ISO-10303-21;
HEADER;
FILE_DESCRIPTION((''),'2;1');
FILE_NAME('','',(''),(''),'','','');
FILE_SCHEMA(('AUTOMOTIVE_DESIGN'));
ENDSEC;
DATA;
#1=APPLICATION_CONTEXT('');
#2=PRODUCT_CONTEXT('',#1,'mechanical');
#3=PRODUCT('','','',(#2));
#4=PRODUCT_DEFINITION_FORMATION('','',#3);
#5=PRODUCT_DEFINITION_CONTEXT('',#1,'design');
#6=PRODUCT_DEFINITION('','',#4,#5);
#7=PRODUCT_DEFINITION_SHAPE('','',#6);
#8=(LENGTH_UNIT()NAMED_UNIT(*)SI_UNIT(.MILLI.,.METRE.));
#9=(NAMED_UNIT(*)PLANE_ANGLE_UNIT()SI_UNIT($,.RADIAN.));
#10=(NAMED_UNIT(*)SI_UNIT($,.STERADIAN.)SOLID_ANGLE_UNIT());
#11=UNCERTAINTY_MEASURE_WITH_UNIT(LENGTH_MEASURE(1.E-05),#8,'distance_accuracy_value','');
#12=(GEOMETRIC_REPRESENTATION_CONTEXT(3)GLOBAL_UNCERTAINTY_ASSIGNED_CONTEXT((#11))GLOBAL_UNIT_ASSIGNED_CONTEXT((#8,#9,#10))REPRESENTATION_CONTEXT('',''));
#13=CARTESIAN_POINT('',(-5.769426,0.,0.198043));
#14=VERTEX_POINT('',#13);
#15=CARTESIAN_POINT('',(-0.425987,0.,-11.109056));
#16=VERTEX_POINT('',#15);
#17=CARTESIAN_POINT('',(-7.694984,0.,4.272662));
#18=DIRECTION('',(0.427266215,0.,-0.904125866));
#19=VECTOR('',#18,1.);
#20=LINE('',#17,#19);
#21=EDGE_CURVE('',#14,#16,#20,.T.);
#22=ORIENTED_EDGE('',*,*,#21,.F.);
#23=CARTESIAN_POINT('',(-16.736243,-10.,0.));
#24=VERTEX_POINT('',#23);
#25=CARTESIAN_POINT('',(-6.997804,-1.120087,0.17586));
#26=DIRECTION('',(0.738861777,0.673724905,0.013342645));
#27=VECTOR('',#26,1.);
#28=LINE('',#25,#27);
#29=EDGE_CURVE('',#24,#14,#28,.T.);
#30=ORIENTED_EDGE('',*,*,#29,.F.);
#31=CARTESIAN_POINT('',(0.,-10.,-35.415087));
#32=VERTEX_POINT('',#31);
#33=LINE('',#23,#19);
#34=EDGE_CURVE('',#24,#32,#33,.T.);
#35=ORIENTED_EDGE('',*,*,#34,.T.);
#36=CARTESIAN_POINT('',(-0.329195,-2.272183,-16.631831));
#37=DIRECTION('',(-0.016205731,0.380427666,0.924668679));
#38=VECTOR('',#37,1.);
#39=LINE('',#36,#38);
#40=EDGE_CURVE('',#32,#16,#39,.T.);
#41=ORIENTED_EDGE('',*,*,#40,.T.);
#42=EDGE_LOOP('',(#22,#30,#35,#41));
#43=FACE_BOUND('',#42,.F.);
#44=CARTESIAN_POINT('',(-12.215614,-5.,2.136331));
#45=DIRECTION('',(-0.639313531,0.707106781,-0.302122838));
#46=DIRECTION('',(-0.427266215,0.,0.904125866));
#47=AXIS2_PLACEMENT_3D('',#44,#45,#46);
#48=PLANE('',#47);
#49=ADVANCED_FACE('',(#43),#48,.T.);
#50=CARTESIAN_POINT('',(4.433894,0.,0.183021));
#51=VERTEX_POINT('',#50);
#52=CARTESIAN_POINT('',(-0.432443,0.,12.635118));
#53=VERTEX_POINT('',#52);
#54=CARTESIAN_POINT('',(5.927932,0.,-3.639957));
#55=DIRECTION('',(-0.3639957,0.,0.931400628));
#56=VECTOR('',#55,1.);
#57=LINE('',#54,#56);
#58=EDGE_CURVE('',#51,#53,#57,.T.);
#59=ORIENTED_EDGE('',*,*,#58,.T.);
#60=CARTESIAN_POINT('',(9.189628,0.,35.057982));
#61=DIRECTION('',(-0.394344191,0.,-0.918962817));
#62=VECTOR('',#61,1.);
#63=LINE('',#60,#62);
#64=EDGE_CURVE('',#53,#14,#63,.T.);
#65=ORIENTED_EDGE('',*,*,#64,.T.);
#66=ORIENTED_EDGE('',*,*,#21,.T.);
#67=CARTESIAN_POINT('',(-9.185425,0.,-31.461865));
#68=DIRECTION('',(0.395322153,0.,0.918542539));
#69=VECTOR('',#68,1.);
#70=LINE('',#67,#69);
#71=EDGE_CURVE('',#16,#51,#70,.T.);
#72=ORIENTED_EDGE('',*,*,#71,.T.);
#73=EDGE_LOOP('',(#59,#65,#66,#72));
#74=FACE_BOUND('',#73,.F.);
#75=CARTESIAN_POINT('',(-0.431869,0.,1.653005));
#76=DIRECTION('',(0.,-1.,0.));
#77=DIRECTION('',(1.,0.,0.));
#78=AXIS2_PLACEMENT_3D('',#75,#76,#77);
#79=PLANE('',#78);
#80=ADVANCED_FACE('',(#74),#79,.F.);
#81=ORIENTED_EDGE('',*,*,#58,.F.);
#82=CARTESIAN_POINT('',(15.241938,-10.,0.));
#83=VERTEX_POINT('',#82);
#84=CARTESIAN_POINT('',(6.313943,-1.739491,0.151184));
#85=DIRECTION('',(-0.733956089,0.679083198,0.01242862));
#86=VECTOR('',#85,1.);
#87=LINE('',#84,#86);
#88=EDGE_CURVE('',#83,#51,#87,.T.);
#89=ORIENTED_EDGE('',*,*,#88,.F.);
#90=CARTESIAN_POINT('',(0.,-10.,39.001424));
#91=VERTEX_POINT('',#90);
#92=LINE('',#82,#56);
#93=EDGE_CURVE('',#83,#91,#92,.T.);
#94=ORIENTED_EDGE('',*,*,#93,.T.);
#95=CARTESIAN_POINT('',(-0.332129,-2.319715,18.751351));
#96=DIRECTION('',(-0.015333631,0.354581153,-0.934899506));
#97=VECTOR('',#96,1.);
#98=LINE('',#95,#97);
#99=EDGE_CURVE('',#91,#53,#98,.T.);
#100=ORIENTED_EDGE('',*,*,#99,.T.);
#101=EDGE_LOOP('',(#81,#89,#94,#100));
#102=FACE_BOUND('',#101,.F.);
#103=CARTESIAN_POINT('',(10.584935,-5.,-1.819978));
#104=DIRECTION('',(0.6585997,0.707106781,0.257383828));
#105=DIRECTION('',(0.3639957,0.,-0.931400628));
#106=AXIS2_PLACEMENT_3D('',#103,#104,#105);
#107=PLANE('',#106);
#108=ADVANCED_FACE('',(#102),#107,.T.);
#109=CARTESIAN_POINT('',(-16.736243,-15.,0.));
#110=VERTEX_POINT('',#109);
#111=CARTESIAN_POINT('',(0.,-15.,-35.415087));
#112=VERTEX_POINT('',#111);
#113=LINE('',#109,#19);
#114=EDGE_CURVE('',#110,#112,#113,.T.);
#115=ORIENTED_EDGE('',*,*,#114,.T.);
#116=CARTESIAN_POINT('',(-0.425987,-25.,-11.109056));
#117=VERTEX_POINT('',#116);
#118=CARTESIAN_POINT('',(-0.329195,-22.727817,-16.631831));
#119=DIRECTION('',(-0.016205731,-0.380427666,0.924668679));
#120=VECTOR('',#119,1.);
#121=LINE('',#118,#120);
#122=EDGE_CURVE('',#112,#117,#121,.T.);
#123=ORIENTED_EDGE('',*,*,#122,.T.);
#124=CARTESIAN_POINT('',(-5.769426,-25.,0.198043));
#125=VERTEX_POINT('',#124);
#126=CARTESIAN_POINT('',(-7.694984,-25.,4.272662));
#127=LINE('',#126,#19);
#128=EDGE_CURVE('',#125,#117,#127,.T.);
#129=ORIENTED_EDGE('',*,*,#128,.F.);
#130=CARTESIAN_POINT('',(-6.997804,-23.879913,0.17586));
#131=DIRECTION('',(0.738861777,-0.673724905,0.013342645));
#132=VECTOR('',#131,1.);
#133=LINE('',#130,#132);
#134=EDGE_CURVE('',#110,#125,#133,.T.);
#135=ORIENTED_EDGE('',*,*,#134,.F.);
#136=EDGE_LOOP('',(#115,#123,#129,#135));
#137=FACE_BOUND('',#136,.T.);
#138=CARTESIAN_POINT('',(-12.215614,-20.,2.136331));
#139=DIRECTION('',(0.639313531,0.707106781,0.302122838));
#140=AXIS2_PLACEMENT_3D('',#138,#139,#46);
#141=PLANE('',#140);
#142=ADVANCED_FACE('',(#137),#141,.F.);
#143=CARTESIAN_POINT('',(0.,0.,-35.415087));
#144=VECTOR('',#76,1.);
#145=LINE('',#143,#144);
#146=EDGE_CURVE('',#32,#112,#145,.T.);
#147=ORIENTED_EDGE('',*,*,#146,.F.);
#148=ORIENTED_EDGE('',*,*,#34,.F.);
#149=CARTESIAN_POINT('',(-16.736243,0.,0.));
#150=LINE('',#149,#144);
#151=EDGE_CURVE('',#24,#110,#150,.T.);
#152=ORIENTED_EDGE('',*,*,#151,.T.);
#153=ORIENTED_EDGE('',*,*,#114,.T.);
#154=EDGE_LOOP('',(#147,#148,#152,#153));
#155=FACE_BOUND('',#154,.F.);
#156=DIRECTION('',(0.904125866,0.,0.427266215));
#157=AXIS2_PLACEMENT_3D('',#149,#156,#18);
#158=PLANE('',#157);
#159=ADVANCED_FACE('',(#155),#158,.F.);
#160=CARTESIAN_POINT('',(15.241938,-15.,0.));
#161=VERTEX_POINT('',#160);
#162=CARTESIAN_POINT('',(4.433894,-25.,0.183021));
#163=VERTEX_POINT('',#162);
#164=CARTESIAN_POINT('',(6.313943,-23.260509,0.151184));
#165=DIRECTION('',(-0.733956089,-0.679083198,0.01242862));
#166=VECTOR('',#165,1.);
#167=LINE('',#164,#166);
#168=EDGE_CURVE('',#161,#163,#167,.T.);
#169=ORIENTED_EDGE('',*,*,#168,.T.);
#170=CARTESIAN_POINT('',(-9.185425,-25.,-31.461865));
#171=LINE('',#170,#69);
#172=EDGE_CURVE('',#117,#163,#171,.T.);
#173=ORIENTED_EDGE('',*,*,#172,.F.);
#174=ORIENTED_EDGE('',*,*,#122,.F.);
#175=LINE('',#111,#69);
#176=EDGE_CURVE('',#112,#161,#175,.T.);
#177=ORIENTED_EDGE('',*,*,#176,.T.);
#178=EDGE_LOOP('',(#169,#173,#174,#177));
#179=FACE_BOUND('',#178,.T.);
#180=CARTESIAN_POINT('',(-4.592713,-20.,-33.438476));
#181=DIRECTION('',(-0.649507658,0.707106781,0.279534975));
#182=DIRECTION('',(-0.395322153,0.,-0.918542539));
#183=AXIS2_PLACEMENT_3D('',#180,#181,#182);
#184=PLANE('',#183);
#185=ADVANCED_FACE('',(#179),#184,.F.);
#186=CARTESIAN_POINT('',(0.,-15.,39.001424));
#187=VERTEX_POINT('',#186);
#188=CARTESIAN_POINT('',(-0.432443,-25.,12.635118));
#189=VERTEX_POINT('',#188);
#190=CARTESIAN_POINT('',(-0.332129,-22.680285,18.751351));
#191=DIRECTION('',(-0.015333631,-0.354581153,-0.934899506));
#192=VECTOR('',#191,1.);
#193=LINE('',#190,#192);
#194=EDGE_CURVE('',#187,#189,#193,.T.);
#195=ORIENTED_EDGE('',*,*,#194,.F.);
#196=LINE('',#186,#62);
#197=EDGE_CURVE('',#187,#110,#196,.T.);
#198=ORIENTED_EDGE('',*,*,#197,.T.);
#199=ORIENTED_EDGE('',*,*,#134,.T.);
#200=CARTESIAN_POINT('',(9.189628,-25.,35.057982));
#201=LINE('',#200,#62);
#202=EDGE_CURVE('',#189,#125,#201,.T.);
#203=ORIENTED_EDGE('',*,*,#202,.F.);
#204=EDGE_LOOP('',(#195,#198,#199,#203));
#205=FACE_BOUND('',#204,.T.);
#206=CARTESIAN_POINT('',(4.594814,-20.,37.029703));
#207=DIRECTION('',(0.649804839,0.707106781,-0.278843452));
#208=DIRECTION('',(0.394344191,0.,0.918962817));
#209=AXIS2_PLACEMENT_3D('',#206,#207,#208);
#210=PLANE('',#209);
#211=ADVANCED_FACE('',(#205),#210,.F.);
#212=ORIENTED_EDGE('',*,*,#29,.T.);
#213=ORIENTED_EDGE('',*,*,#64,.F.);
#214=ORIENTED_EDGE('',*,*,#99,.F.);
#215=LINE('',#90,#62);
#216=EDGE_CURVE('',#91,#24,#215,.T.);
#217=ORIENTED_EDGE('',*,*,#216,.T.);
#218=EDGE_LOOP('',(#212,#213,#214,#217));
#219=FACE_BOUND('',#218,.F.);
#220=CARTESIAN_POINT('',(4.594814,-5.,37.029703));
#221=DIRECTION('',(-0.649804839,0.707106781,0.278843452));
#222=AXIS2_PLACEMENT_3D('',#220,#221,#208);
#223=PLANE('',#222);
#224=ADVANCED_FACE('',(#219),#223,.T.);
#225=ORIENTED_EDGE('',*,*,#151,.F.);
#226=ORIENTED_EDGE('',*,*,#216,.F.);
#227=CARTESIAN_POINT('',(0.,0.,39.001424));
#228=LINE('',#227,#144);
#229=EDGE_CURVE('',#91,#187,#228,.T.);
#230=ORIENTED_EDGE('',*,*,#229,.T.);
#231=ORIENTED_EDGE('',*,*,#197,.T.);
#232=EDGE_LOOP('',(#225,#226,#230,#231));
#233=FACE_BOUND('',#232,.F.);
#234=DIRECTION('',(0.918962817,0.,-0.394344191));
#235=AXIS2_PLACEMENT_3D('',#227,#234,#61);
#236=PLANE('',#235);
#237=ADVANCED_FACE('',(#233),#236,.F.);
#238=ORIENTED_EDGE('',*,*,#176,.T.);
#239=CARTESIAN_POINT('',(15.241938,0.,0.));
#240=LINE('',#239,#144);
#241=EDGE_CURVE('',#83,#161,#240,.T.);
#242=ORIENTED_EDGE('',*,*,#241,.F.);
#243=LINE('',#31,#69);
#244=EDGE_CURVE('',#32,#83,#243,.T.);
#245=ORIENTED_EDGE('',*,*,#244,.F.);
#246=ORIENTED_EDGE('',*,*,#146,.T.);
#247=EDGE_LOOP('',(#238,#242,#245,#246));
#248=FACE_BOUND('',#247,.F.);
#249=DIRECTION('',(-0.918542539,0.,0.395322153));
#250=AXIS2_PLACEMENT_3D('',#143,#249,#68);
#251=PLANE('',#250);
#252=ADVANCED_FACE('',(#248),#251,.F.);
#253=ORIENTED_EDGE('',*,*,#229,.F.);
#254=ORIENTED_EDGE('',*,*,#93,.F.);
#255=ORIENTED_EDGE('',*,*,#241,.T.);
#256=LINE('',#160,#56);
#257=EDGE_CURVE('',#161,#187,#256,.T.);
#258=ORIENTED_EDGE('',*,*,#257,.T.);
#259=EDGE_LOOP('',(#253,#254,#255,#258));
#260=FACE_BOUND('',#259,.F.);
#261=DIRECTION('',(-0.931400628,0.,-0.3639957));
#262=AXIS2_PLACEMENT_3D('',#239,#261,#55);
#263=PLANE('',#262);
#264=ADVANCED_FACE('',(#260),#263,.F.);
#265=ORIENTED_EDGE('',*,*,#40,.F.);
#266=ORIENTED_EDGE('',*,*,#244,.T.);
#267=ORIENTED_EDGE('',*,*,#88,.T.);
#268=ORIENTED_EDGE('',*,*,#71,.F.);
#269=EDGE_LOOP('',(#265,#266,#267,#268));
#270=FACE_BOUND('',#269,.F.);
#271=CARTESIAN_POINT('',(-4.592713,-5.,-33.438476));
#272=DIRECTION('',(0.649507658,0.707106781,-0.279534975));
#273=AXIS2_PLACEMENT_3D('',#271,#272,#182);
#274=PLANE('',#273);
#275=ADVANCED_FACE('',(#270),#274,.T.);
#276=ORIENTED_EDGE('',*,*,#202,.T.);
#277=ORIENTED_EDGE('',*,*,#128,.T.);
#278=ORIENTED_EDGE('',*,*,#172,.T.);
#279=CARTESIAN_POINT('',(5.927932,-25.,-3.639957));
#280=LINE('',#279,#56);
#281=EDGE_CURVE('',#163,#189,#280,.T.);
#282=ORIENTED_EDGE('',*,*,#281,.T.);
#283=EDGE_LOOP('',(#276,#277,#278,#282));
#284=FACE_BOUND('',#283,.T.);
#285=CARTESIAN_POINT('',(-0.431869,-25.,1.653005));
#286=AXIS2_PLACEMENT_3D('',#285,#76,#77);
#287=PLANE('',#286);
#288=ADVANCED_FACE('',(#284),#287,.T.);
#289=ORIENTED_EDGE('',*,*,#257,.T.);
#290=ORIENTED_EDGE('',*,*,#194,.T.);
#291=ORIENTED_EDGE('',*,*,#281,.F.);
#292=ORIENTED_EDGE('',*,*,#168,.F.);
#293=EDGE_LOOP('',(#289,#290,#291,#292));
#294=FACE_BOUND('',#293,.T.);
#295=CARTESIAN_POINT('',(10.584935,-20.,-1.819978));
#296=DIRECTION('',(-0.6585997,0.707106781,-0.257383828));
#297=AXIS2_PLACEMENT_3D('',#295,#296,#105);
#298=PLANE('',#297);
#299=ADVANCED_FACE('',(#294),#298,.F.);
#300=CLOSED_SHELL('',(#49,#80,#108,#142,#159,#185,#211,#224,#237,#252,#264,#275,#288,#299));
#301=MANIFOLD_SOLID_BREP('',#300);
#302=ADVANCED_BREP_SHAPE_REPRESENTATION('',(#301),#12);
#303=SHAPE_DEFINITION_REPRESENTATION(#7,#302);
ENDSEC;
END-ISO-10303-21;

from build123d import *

# Parameters (mm, degrees)
F1_DEPTH = 25
F2_SIZE  = 10


with BuildPart() as f1:
    # F0 (on Front) → F1 (new body)
    with BuildSketch(Plane.XZ):
        Polygon((0, 39.001424), (-16.736243, 0), (0, -35.415087), (15.241938, 0), align=None)
    extrude(amount=F1_DEPTH)

    # F2
    f2_edges = [f1.edges().sort_by_distance(p)[0] for p in [
        (-8.368121, -25, 19.500712),
        (-8.368121, 0, 19.500712),
        (-8.368121, -25, -17.707543),
        (-8.368121, 0, -17.707543),
        (7.620969, 0, 19.500712),
        (7.620969, -25, 19.500712),
        (7.620969, -25, -17.707543),
        (7.620969, 0, -17.707543),
    ]]
    chamfer(f2_edges, length=F2_SIZE)


solid = f1.part
